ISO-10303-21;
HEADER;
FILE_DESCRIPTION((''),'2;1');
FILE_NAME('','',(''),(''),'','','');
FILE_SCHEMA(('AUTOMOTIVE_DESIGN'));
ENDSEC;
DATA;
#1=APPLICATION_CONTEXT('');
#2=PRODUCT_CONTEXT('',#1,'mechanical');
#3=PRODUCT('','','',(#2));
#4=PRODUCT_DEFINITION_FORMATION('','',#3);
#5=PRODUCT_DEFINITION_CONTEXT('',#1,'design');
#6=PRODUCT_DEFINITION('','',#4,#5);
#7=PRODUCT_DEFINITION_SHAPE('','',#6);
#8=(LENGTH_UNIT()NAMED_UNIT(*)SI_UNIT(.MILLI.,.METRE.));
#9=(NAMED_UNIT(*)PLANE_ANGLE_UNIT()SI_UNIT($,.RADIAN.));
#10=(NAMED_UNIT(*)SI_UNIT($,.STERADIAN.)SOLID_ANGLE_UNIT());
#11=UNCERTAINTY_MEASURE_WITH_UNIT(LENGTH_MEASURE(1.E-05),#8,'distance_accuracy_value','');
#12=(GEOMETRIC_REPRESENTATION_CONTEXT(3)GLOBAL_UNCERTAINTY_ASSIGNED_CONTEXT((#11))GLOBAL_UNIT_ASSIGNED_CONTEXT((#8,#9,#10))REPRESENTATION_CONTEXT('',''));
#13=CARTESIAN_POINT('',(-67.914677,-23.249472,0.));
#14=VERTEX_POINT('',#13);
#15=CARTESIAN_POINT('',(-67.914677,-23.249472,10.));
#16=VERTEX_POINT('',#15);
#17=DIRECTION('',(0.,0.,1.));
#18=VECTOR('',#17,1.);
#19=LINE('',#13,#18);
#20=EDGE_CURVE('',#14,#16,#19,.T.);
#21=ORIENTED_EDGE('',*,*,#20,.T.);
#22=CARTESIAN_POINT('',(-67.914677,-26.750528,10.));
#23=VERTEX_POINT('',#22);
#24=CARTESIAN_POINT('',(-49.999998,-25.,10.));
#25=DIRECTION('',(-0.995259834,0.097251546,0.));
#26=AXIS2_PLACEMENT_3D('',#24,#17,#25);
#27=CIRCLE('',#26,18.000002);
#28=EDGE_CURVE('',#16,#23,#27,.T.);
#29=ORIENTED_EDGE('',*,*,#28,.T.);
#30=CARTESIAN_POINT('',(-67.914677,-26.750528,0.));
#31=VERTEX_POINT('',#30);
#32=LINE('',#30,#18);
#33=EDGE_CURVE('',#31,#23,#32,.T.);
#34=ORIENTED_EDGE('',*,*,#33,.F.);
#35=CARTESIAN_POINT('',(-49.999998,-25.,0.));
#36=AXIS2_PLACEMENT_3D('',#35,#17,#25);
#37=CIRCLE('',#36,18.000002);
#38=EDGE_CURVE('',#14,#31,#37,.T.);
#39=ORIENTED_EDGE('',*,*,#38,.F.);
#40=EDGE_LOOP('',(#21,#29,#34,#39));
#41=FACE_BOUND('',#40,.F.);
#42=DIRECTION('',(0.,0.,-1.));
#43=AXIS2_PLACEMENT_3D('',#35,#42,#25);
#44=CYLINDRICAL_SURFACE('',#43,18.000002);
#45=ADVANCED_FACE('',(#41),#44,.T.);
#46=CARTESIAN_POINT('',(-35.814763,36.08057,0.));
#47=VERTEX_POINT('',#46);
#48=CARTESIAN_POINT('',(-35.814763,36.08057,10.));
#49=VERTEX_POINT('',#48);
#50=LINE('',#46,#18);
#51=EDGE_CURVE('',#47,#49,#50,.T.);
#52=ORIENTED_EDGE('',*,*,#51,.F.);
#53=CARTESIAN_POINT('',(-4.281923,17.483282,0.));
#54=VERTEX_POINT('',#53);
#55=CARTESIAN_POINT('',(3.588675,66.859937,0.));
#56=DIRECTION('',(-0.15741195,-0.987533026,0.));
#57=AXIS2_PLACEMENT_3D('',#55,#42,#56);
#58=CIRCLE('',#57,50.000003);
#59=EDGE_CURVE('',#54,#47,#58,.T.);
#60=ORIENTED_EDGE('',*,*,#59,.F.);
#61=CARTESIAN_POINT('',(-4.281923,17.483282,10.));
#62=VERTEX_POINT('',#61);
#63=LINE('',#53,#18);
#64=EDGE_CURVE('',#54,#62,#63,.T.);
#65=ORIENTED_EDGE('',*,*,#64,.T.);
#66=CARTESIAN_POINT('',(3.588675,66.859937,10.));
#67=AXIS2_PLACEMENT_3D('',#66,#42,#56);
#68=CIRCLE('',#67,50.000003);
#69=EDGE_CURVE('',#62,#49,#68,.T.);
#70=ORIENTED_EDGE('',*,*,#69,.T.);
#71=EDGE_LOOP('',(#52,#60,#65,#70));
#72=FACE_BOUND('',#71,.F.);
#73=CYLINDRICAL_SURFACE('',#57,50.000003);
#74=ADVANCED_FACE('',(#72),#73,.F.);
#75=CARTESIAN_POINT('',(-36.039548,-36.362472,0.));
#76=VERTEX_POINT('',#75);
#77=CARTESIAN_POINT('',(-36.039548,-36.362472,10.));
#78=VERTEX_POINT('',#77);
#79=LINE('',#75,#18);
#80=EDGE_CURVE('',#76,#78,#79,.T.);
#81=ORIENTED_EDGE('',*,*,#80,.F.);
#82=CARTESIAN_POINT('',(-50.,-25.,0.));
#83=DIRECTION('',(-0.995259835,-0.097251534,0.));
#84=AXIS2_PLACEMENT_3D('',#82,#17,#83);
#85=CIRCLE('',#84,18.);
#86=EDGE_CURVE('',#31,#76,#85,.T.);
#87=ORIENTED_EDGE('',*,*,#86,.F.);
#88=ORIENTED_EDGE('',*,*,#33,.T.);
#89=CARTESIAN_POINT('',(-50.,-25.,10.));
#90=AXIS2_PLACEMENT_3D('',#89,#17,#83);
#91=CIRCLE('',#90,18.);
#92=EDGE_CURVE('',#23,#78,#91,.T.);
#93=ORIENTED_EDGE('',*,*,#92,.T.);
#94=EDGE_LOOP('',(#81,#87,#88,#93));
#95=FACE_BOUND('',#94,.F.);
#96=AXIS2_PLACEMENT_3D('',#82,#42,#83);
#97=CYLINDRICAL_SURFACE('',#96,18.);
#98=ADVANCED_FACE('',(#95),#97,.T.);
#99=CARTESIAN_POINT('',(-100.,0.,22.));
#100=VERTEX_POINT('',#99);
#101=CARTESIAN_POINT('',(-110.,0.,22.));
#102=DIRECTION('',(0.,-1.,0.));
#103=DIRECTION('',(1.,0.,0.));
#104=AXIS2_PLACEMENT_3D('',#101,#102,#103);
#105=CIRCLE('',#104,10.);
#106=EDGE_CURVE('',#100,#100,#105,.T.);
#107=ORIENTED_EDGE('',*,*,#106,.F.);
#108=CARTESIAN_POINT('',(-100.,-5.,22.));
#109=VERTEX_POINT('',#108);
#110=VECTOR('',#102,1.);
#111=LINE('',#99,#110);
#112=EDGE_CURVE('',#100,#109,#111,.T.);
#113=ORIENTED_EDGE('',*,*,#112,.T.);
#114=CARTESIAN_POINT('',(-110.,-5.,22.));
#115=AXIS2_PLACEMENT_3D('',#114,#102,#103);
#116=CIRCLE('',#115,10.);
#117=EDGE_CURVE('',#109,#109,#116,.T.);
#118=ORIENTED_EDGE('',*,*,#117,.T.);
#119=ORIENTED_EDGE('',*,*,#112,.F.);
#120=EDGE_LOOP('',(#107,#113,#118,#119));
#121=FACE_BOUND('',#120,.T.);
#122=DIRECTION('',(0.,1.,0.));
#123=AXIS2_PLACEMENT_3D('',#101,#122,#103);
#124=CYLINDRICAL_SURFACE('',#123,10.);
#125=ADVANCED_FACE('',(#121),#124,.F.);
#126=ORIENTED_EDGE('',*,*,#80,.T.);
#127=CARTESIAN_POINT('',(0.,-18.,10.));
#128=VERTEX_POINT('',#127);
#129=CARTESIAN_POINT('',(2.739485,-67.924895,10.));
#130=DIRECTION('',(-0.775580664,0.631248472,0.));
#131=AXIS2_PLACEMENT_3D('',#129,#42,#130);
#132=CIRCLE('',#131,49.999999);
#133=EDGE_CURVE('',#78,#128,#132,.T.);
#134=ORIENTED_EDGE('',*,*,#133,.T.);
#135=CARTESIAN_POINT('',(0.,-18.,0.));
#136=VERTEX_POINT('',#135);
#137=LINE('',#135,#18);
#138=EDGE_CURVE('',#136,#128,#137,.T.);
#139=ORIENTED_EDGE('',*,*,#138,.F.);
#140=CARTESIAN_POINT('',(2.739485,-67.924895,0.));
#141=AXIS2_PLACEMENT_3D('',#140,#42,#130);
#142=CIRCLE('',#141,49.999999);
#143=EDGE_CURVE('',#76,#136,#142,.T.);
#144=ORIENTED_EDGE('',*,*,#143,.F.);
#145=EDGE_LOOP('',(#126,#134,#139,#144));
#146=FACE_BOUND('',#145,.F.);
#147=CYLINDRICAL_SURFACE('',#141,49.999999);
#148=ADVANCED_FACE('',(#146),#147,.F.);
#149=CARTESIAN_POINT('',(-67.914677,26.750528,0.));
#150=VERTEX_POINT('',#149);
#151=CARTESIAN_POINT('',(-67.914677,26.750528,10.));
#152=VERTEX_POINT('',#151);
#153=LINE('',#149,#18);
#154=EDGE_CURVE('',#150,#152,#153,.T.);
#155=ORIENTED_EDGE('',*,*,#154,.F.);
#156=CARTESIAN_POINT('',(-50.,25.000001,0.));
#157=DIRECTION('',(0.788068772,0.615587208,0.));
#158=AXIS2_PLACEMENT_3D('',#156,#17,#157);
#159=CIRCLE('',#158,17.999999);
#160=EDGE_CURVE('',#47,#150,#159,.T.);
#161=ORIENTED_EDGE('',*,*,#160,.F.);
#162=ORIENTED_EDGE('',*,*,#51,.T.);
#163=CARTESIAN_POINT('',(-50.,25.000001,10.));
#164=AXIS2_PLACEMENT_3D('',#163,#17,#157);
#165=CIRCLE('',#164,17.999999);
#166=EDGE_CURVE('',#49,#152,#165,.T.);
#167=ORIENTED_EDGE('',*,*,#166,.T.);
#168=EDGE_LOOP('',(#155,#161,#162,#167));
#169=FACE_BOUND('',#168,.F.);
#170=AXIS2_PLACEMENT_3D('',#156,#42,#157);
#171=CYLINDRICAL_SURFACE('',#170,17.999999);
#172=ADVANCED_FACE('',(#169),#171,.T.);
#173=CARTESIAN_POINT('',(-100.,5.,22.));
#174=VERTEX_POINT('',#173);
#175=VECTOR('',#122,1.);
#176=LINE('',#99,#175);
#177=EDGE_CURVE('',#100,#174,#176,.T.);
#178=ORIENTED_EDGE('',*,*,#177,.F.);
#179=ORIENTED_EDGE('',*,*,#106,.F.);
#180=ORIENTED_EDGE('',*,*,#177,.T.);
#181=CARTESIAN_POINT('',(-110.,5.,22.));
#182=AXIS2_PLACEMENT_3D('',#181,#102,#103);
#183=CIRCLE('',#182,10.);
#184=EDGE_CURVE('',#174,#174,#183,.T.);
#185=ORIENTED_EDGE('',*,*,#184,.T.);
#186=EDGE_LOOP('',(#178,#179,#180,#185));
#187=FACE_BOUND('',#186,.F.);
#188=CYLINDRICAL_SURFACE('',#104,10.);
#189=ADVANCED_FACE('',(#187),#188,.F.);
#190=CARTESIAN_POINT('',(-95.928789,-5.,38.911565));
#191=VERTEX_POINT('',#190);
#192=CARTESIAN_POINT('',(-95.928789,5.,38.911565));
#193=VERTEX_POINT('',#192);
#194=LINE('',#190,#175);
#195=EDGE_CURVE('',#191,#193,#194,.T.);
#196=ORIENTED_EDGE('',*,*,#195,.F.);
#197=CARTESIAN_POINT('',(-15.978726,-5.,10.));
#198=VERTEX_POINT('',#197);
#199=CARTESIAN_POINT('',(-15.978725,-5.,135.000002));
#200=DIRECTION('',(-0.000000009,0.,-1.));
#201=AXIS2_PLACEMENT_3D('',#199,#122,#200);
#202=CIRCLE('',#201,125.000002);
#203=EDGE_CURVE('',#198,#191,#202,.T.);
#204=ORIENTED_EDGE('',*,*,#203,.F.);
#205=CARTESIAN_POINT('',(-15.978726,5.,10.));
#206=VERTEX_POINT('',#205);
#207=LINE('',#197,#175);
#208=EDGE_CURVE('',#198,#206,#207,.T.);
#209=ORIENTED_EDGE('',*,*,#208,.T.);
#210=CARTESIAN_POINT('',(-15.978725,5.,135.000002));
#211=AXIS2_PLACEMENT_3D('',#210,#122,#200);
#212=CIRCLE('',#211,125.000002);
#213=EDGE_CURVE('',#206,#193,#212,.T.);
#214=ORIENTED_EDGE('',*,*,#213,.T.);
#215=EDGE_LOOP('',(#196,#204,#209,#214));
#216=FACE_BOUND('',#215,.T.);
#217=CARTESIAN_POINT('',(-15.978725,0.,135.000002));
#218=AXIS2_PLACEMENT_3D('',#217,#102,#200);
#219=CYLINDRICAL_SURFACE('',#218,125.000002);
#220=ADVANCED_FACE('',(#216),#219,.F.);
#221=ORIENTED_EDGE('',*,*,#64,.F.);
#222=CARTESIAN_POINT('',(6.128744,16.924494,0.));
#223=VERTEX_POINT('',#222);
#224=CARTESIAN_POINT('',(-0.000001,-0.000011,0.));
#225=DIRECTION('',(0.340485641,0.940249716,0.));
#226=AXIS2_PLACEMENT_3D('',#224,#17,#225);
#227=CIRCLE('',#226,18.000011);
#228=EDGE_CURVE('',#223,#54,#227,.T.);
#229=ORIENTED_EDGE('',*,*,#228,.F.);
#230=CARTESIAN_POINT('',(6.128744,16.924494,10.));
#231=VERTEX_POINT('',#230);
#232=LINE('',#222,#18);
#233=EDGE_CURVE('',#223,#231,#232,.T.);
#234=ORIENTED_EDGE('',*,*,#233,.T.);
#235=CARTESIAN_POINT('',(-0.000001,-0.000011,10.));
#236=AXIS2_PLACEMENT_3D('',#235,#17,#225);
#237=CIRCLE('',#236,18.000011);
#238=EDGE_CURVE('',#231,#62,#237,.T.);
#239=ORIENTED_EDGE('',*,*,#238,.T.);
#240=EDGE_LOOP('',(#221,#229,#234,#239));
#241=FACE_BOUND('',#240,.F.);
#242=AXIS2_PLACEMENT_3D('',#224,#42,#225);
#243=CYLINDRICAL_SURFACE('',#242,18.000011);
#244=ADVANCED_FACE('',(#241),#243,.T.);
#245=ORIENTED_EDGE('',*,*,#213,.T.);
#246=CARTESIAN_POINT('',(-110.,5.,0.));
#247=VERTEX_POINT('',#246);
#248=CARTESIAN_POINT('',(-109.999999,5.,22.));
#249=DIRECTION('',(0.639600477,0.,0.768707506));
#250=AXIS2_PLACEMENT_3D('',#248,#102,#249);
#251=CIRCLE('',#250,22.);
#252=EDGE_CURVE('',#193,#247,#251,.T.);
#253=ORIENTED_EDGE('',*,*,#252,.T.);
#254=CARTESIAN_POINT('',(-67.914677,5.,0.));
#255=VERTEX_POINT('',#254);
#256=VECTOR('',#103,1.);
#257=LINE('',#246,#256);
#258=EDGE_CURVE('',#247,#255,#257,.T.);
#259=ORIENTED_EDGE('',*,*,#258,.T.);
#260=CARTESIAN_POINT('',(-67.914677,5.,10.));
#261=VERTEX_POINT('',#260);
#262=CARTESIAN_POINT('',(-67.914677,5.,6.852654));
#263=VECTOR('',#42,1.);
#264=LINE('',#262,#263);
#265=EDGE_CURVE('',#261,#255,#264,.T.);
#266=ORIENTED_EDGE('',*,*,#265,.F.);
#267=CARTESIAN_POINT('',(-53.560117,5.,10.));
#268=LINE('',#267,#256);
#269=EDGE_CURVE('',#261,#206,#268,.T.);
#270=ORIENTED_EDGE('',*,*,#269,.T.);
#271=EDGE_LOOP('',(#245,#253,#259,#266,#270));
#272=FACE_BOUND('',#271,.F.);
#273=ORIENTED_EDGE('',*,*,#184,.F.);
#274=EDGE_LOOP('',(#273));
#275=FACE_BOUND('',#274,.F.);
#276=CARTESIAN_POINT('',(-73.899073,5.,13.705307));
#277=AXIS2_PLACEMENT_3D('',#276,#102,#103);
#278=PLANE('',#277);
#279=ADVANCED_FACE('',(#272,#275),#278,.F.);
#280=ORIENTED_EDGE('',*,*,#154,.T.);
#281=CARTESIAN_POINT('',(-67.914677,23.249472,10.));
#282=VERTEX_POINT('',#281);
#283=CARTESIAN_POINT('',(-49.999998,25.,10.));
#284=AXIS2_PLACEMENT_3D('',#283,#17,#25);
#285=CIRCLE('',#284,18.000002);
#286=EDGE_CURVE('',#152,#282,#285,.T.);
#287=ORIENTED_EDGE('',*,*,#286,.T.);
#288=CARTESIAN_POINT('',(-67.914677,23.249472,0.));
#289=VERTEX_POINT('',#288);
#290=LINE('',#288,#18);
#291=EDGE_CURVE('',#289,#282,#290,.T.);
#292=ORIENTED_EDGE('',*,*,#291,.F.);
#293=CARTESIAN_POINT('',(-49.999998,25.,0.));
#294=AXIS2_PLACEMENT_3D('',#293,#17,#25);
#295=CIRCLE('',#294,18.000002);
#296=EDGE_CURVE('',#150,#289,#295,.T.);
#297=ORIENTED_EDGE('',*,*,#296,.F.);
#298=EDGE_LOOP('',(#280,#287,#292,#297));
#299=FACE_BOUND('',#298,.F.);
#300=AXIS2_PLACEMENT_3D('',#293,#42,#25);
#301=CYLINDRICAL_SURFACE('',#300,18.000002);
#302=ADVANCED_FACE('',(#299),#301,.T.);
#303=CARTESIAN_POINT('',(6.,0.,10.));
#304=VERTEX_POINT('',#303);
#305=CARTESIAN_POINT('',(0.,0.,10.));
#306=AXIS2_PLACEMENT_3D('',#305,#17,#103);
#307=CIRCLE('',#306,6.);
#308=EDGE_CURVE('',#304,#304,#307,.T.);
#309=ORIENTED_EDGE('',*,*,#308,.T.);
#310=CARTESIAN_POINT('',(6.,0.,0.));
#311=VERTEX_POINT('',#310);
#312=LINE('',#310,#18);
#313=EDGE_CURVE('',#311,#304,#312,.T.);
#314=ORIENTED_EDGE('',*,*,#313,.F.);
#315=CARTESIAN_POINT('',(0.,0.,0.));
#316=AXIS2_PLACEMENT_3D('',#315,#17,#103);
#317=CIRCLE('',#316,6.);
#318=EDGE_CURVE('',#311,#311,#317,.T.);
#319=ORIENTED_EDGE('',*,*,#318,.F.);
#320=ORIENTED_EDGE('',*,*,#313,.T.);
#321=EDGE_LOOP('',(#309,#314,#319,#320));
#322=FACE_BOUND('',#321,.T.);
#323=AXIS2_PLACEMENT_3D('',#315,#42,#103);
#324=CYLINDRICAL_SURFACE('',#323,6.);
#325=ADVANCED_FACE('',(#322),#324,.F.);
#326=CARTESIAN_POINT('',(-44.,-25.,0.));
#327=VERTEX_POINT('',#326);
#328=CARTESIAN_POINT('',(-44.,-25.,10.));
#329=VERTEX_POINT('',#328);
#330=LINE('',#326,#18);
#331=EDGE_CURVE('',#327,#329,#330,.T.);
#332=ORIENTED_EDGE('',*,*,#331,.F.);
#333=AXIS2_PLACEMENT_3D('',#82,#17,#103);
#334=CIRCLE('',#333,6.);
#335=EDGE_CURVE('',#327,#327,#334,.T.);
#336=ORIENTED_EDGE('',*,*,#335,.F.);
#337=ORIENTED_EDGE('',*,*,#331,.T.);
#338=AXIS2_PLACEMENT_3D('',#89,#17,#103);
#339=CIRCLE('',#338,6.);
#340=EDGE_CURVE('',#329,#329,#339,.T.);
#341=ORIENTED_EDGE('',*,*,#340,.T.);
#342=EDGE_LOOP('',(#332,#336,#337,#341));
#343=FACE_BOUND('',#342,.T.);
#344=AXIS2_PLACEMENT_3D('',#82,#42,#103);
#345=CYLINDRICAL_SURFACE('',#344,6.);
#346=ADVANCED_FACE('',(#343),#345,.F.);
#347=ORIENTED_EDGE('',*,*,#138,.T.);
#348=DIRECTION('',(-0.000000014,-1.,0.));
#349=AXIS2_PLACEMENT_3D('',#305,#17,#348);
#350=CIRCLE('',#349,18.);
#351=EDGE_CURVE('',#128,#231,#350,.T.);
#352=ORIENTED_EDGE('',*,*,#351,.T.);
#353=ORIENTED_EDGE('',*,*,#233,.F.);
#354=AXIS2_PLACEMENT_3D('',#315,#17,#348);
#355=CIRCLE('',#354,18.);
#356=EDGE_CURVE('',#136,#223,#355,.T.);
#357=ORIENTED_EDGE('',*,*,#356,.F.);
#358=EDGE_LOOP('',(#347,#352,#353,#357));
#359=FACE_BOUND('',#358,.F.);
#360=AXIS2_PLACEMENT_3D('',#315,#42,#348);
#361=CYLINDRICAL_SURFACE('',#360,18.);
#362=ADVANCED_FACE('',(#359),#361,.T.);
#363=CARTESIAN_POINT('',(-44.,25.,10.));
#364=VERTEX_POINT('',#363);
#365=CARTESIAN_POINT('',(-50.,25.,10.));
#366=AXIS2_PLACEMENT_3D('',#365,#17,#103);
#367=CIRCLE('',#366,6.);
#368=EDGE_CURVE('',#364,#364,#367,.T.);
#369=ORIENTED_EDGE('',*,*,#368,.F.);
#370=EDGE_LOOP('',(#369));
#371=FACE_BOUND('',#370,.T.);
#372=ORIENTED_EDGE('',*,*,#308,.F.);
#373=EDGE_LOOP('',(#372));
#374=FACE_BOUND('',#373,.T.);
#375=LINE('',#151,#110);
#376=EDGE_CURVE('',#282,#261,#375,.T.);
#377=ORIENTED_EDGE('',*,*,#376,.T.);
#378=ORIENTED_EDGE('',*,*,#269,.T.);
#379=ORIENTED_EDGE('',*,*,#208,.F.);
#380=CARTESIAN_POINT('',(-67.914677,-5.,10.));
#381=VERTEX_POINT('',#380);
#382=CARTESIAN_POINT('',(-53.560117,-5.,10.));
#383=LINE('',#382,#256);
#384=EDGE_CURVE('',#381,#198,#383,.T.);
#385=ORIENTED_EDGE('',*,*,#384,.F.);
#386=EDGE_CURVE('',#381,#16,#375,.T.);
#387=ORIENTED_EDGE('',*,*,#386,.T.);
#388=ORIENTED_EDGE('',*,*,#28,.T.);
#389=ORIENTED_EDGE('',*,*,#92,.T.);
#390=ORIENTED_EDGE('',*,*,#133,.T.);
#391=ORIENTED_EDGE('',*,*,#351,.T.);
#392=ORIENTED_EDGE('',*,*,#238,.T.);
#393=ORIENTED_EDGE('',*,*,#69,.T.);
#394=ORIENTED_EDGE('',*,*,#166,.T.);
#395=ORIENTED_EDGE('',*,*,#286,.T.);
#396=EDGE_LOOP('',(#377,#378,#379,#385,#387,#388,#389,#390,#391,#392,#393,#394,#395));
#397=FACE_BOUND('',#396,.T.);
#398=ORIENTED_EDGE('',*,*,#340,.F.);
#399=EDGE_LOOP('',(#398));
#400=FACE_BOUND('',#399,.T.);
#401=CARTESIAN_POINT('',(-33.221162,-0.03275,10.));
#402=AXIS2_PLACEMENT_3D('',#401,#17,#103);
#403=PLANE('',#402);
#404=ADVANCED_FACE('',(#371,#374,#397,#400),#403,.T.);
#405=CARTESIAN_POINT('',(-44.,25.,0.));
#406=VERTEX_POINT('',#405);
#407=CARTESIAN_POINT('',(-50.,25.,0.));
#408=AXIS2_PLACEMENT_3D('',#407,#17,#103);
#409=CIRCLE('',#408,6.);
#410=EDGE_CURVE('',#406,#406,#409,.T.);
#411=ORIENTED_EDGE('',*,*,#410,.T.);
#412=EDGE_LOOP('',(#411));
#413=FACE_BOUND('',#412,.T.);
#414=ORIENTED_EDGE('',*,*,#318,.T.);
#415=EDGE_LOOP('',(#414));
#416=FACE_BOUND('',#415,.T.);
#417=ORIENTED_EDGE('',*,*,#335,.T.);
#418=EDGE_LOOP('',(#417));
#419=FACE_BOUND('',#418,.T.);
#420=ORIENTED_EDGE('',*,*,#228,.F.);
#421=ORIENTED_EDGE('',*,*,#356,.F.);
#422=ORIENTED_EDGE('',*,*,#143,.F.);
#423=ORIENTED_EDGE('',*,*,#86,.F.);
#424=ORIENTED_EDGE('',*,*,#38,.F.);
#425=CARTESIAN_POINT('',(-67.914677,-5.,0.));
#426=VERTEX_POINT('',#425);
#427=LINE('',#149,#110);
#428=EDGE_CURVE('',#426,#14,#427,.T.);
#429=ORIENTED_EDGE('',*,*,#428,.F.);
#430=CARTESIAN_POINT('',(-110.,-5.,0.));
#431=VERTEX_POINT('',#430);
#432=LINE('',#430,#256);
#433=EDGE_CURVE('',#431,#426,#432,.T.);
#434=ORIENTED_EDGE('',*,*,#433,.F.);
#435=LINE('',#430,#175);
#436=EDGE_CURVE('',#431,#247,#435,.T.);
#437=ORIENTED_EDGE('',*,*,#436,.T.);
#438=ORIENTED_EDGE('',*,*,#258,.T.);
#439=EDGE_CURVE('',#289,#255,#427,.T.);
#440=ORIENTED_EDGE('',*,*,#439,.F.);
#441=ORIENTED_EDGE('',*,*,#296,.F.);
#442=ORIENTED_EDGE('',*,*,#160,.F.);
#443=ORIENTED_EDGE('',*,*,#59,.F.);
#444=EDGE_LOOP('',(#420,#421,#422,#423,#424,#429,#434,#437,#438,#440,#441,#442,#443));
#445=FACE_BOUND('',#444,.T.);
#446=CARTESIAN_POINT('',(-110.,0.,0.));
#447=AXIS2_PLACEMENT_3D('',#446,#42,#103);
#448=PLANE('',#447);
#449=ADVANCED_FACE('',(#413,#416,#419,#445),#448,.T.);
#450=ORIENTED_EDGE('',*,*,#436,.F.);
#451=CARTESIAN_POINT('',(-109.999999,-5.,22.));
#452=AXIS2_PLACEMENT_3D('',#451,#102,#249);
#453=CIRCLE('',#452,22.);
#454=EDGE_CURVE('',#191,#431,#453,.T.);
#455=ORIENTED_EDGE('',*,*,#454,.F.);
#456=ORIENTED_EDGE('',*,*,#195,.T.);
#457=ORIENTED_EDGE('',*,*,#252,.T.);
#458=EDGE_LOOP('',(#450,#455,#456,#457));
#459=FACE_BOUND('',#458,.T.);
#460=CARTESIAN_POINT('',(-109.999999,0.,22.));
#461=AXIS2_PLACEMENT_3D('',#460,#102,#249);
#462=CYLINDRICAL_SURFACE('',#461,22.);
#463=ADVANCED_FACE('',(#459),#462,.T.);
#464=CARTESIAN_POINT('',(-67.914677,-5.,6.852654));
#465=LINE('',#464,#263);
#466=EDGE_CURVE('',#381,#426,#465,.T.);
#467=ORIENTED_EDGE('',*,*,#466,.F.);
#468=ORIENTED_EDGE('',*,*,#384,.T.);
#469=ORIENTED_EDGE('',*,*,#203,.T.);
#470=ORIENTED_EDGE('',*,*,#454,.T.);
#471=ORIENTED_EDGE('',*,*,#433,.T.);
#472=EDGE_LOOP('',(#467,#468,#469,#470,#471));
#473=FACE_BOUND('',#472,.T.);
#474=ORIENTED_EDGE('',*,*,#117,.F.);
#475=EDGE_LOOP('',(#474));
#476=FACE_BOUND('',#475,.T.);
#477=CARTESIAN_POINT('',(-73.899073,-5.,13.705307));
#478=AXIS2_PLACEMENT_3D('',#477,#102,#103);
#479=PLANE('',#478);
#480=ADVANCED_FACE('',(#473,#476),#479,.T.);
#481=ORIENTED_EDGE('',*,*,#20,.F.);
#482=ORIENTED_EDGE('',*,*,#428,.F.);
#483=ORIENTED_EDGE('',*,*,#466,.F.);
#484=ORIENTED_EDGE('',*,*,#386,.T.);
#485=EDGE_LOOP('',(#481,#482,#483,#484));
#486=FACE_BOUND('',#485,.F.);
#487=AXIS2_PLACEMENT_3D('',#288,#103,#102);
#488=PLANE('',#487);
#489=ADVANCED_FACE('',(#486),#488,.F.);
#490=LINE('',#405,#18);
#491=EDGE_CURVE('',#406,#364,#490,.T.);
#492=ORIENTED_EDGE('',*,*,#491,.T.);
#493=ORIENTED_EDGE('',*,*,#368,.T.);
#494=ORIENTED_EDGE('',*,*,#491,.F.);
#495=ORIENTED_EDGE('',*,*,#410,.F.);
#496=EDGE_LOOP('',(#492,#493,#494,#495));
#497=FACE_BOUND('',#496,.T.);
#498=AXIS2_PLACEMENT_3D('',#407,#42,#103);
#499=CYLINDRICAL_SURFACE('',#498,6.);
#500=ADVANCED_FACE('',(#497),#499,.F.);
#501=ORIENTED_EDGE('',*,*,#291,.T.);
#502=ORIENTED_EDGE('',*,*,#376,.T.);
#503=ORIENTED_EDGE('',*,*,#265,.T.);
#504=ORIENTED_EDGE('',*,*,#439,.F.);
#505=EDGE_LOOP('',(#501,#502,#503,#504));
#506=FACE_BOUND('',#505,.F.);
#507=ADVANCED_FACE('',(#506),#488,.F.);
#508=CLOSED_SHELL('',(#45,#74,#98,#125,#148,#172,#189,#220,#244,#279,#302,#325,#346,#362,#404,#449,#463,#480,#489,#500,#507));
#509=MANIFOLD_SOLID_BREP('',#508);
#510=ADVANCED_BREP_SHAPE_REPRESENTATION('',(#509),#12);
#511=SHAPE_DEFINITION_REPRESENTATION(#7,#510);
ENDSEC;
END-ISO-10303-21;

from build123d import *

# Parameters (mm, degrees)
F0_R          = 6
F1_DEPTH      = 10
F2_R          = 10
F3_DEPTH      = 5
F3_DEPTH_BACK = 5


with BuildPart() as f1:
    # F0 (on Top) → F1 (new body)
    with BuildSketch(Plane.XY):
        with BuildLine():
            ThreePointArc((-4.281923, 17.483282), (-21.811589, 23.792235), (-35.814763, 36.08057))
            ThreePointArc((-35.814763, 36.08057), (-55.023903, 42.284687), (-67.914677, 26.750528))
            Line((-67.914677, 26.750528), (-67.914677, 23.249472))
            Line((-67.914677, 23.249472), (-67.914677, -23.249472))
            Line((-67.914677, -23.249472), (-67.914677, -26.750528))
            ThreePointArc((-67.914677, -26.750528), (-55.196763, -42.233504), (-36.039548, -36.362472))
            ThreePointArc((-36.039548, -36.362472), (-19.959456, -23.374272), (0, -18))
            ThreePointArc((0, -18), (17.729085, -3.111198), (6.128744, 16.924494))
            ThreePointArc((6.128744, 16.924494), (0.908806, 16.931802), (-4.281923, 17.483282))
        make_face()
        with Locations((-50, -25)):
            Circle(F0_R, mode=Mode.SUBTRACT)
        Circle(F0_R, mode=Mode.SUBTRACT)
        with Locations((-50, 25)):
            Circle(F0_R, mode=Mode.SUBTRACT)
        with BuildLine():
            Line((-67.914677, 23.249472), (-67.914677, 26.750528))
            ThreePointArc((-67.914677, 26.750528), (-68, 25), (-67.914677, 23.249472))
        make_face()
        with BuildLine():
            ThreePointArc((6.128744, 16.924494), (0.964753, 17.974127), (-4.281923, 17.483282))
            ThreePointArc((-4.281923, 17.483282), (0.908806, 16.931802), (6.128744, 16.924494))
        make_face()
        with BuildLine():
            Line((-67.914677, -26.750528), (-67.914677, -23.249472))
            ThreePointArc((-67.914677, -23.249472), (-68, -25), (-67.914677, -26.750528))
        make_face()
    extrude(amount=F1_DEPTH)

    # F2 (on Front) → F3 (join, two sides)
    with BuildSketch(Plane.XZ) as f3_sk:
        with BuildLine():
            Line((-110, 0), (-46.425153, 0))
            Line((-46.425153, 0), (-9.930641, 0))
            Line((-9.930641, 0), (-15.978726, 10))
            ThreePointArc((-15.978726, 10), (-58.487228, 17.449895), (-95.928789, 38.911565))
            ThreePointArc((-95.928789, 38.911565), (-130.688818, 29.481496), (-110, 0))
        make_face()
        with Locations((-110, 22)):
            Circle(F2_R, mode=Mode.SUBTRACT)
    extrude(amount=F3_DEPTH)
    extrude(f3_sk.sketch, amount=-F3_DEPTH_BACK)


solid = f1.part
